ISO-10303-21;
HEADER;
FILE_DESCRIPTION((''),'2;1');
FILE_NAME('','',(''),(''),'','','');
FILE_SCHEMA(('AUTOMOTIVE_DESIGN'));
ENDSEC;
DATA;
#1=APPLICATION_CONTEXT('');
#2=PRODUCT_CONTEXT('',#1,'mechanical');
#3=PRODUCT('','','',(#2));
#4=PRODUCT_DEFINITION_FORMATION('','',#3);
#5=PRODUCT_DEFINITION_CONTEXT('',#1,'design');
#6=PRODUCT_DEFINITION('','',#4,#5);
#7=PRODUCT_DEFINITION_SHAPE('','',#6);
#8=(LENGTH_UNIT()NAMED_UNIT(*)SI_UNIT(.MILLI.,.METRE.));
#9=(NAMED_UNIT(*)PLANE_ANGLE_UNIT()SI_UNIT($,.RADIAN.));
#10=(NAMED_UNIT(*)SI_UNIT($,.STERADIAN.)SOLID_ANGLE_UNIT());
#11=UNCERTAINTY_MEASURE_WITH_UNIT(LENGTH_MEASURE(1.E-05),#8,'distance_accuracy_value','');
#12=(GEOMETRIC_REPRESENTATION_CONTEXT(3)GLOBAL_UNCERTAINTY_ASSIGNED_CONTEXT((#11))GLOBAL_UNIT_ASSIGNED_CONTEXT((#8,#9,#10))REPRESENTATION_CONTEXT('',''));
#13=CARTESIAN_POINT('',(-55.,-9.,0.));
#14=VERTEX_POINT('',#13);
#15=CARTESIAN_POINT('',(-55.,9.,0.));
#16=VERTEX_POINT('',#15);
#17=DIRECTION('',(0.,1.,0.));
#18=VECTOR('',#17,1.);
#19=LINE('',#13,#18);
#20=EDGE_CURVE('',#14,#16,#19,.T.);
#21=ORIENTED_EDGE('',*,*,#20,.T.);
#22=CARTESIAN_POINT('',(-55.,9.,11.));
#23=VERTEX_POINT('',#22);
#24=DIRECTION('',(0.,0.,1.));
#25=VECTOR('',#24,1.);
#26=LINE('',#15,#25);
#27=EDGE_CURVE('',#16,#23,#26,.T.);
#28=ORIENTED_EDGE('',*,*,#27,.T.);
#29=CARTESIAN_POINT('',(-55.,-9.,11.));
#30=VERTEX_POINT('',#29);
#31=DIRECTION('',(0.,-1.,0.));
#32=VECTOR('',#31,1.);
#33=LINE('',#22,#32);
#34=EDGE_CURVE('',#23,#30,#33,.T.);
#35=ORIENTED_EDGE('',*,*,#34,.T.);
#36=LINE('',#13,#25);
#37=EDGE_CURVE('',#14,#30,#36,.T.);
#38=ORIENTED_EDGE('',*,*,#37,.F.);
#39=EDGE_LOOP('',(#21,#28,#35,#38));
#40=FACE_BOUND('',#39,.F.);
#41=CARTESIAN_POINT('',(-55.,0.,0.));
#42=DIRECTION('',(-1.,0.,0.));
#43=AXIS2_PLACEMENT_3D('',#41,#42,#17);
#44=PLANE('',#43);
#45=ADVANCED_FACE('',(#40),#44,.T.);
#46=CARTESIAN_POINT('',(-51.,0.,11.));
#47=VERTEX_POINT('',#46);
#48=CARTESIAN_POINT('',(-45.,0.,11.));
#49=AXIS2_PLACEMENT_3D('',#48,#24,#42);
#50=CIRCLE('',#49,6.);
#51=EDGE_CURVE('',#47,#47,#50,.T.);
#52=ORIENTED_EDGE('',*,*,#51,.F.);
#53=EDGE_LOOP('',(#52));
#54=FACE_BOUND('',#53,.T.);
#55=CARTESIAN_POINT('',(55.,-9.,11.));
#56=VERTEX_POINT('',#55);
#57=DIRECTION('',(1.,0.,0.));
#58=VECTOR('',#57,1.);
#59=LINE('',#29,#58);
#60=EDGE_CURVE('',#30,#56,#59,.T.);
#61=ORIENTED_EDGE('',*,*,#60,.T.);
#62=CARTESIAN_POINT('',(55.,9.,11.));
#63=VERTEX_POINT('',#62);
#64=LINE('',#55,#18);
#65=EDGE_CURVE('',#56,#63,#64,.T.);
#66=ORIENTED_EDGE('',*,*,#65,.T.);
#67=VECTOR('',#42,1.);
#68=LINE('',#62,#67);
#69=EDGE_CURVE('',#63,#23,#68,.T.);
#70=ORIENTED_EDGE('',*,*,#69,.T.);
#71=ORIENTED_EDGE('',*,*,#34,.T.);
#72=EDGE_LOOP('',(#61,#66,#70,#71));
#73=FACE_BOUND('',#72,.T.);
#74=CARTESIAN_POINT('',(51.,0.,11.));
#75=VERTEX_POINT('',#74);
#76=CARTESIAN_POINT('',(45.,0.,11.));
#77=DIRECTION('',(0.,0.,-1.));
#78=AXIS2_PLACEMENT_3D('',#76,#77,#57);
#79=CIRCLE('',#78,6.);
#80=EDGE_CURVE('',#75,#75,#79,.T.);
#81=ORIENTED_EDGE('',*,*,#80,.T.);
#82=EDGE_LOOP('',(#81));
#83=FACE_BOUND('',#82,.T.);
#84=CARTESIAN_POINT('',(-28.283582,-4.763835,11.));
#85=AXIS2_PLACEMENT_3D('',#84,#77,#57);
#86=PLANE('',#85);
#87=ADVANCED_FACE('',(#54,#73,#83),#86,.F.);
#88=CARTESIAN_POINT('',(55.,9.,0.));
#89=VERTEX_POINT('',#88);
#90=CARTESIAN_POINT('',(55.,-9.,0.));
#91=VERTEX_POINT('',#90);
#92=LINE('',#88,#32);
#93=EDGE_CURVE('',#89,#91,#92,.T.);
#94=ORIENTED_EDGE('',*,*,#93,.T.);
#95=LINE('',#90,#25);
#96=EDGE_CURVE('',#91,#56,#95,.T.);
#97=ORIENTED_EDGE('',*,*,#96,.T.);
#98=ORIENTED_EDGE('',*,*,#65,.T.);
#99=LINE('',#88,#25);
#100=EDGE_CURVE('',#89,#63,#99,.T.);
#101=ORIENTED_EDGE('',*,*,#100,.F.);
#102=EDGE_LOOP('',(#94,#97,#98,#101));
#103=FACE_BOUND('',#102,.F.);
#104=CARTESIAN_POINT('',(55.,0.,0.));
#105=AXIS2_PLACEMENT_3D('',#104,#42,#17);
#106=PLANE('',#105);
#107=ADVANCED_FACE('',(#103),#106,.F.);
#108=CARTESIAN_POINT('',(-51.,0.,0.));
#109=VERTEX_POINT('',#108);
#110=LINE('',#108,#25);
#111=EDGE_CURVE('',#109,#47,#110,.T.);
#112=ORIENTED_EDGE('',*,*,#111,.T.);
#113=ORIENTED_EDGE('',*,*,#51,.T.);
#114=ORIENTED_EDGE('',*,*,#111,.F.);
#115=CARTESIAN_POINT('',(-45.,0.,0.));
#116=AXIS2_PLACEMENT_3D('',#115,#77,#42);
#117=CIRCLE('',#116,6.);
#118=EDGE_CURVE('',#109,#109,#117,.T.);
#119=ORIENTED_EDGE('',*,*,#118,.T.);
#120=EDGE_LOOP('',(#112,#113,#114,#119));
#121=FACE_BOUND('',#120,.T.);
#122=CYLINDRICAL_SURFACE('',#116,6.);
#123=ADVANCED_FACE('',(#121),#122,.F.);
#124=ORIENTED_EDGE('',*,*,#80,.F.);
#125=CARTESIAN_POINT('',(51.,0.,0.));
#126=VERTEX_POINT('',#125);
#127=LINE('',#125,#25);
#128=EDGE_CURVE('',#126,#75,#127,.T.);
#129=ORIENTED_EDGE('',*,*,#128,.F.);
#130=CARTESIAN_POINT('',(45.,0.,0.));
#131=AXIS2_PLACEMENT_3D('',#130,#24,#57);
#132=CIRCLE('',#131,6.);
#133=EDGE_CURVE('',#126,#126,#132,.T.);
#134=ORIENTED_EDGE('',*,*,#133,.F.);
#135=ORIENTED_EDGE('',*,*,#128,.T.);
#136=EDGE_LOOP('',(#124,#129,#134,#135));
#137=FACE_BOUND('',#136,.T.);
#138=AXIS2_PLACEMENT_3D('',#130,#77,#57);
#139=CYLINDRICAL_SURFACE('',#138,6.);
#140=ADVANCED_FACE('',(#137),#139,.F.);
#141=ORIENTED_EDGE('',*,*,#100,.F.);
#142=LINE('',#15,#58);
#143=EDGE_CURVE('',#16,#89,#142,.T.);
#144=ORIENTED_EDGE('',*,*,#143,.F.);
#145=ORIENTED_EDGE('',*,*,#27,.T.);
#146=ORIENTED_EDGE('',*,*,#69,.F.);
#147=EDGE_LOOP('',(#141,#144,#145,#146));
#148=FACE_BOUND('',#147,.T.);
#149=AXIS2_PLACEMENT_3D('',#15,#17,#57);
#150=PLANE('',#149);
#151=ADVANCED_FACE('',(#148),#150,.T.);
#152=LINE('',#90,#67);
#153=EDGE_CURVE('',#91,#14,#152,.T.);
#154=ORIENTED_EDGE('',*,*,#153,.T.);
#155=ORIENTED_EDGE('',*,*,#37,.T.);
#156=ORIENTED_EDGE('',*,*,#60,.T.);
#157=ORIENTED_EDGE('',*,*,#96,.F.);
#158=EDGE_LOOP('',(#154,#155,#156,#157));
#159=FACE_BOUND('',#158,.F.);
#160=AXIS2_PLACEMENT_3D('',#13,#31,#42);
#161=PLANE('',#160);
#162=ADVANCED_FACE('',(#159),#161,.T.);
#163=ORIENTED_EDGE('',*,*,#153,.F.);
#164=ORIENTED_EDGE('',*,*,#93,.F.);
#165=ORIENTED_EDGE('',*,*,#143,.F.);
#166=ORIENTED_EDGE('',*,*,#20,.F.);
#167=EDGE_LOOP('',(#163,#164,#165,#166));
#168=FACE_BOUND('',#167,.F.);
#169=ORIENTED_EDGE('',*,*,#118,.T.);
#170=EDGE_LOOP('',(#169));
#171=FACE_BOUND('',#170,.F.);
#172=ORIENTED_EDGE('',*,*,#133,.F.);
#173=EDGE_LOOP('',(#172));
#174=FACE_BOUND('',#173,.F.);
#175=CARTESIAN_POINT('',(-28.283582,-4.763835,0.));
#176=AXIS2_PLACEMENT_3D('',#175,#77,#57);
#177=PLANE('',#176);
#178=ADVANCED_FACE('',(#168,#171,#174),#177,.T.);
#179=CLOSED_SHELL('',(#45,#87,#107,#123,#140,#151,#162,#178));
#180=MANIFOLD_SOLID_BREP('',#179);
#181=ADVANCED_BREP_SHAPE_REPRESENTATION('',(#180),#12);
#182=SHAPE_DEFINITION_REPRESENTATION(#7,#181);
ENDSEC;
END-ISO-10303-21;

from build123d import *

# Parameters (mm, degrees)
PAD_DEPTH            = 11
PAD_MIRRORED_2_DEPTH = 11


with BuildPart() as part:
    # Sketch → Pad (new body)
    with BuildSketch(Plane.XY):
        with BuildLine():
            Line((0, 0), (39, 0))
            ThreePointArc((51, 0), (45, 6), (39, 0))
            Line((51, 0), (55, 0))
            Line((55, 0), (55, 9))
            Line((55, 9), (0, 9))
            Line((0, 9), (0, 0))
        make_face()
    pad = extrude(amount=PAD_DEPTH)

    # Sketch Mirrored 2 → Pad Mirrored 2 (add)
    with BuildSketch(Plane(origin=(0, 0, 0), x_dir=(-1, 0, 0), z_dir=(0, 0, -1))):
        with BuildLine():
            Line((0, 0), (39, 0))
            ThreePointArc((51, 0), (45, 6), (39, 0))
            Line((51, 0), (55, 0))
            Line((55, 0), (55, 9))
            Line((55, 9), (0, 9))
            Line((0, 9), (0, 0))
        make_face()
    pad_mirrored_2 = extrude(amount=-PAD_MIRRORED_2_DEPTH)

    # Mirrored001: Pad, Pad Mirrored 2 across Sketch H_Axis
    add(pad.mirror(Plane.ZX))
    add(pad_mirrored_2.mirror(Plane.ZX))


solid = part.part
